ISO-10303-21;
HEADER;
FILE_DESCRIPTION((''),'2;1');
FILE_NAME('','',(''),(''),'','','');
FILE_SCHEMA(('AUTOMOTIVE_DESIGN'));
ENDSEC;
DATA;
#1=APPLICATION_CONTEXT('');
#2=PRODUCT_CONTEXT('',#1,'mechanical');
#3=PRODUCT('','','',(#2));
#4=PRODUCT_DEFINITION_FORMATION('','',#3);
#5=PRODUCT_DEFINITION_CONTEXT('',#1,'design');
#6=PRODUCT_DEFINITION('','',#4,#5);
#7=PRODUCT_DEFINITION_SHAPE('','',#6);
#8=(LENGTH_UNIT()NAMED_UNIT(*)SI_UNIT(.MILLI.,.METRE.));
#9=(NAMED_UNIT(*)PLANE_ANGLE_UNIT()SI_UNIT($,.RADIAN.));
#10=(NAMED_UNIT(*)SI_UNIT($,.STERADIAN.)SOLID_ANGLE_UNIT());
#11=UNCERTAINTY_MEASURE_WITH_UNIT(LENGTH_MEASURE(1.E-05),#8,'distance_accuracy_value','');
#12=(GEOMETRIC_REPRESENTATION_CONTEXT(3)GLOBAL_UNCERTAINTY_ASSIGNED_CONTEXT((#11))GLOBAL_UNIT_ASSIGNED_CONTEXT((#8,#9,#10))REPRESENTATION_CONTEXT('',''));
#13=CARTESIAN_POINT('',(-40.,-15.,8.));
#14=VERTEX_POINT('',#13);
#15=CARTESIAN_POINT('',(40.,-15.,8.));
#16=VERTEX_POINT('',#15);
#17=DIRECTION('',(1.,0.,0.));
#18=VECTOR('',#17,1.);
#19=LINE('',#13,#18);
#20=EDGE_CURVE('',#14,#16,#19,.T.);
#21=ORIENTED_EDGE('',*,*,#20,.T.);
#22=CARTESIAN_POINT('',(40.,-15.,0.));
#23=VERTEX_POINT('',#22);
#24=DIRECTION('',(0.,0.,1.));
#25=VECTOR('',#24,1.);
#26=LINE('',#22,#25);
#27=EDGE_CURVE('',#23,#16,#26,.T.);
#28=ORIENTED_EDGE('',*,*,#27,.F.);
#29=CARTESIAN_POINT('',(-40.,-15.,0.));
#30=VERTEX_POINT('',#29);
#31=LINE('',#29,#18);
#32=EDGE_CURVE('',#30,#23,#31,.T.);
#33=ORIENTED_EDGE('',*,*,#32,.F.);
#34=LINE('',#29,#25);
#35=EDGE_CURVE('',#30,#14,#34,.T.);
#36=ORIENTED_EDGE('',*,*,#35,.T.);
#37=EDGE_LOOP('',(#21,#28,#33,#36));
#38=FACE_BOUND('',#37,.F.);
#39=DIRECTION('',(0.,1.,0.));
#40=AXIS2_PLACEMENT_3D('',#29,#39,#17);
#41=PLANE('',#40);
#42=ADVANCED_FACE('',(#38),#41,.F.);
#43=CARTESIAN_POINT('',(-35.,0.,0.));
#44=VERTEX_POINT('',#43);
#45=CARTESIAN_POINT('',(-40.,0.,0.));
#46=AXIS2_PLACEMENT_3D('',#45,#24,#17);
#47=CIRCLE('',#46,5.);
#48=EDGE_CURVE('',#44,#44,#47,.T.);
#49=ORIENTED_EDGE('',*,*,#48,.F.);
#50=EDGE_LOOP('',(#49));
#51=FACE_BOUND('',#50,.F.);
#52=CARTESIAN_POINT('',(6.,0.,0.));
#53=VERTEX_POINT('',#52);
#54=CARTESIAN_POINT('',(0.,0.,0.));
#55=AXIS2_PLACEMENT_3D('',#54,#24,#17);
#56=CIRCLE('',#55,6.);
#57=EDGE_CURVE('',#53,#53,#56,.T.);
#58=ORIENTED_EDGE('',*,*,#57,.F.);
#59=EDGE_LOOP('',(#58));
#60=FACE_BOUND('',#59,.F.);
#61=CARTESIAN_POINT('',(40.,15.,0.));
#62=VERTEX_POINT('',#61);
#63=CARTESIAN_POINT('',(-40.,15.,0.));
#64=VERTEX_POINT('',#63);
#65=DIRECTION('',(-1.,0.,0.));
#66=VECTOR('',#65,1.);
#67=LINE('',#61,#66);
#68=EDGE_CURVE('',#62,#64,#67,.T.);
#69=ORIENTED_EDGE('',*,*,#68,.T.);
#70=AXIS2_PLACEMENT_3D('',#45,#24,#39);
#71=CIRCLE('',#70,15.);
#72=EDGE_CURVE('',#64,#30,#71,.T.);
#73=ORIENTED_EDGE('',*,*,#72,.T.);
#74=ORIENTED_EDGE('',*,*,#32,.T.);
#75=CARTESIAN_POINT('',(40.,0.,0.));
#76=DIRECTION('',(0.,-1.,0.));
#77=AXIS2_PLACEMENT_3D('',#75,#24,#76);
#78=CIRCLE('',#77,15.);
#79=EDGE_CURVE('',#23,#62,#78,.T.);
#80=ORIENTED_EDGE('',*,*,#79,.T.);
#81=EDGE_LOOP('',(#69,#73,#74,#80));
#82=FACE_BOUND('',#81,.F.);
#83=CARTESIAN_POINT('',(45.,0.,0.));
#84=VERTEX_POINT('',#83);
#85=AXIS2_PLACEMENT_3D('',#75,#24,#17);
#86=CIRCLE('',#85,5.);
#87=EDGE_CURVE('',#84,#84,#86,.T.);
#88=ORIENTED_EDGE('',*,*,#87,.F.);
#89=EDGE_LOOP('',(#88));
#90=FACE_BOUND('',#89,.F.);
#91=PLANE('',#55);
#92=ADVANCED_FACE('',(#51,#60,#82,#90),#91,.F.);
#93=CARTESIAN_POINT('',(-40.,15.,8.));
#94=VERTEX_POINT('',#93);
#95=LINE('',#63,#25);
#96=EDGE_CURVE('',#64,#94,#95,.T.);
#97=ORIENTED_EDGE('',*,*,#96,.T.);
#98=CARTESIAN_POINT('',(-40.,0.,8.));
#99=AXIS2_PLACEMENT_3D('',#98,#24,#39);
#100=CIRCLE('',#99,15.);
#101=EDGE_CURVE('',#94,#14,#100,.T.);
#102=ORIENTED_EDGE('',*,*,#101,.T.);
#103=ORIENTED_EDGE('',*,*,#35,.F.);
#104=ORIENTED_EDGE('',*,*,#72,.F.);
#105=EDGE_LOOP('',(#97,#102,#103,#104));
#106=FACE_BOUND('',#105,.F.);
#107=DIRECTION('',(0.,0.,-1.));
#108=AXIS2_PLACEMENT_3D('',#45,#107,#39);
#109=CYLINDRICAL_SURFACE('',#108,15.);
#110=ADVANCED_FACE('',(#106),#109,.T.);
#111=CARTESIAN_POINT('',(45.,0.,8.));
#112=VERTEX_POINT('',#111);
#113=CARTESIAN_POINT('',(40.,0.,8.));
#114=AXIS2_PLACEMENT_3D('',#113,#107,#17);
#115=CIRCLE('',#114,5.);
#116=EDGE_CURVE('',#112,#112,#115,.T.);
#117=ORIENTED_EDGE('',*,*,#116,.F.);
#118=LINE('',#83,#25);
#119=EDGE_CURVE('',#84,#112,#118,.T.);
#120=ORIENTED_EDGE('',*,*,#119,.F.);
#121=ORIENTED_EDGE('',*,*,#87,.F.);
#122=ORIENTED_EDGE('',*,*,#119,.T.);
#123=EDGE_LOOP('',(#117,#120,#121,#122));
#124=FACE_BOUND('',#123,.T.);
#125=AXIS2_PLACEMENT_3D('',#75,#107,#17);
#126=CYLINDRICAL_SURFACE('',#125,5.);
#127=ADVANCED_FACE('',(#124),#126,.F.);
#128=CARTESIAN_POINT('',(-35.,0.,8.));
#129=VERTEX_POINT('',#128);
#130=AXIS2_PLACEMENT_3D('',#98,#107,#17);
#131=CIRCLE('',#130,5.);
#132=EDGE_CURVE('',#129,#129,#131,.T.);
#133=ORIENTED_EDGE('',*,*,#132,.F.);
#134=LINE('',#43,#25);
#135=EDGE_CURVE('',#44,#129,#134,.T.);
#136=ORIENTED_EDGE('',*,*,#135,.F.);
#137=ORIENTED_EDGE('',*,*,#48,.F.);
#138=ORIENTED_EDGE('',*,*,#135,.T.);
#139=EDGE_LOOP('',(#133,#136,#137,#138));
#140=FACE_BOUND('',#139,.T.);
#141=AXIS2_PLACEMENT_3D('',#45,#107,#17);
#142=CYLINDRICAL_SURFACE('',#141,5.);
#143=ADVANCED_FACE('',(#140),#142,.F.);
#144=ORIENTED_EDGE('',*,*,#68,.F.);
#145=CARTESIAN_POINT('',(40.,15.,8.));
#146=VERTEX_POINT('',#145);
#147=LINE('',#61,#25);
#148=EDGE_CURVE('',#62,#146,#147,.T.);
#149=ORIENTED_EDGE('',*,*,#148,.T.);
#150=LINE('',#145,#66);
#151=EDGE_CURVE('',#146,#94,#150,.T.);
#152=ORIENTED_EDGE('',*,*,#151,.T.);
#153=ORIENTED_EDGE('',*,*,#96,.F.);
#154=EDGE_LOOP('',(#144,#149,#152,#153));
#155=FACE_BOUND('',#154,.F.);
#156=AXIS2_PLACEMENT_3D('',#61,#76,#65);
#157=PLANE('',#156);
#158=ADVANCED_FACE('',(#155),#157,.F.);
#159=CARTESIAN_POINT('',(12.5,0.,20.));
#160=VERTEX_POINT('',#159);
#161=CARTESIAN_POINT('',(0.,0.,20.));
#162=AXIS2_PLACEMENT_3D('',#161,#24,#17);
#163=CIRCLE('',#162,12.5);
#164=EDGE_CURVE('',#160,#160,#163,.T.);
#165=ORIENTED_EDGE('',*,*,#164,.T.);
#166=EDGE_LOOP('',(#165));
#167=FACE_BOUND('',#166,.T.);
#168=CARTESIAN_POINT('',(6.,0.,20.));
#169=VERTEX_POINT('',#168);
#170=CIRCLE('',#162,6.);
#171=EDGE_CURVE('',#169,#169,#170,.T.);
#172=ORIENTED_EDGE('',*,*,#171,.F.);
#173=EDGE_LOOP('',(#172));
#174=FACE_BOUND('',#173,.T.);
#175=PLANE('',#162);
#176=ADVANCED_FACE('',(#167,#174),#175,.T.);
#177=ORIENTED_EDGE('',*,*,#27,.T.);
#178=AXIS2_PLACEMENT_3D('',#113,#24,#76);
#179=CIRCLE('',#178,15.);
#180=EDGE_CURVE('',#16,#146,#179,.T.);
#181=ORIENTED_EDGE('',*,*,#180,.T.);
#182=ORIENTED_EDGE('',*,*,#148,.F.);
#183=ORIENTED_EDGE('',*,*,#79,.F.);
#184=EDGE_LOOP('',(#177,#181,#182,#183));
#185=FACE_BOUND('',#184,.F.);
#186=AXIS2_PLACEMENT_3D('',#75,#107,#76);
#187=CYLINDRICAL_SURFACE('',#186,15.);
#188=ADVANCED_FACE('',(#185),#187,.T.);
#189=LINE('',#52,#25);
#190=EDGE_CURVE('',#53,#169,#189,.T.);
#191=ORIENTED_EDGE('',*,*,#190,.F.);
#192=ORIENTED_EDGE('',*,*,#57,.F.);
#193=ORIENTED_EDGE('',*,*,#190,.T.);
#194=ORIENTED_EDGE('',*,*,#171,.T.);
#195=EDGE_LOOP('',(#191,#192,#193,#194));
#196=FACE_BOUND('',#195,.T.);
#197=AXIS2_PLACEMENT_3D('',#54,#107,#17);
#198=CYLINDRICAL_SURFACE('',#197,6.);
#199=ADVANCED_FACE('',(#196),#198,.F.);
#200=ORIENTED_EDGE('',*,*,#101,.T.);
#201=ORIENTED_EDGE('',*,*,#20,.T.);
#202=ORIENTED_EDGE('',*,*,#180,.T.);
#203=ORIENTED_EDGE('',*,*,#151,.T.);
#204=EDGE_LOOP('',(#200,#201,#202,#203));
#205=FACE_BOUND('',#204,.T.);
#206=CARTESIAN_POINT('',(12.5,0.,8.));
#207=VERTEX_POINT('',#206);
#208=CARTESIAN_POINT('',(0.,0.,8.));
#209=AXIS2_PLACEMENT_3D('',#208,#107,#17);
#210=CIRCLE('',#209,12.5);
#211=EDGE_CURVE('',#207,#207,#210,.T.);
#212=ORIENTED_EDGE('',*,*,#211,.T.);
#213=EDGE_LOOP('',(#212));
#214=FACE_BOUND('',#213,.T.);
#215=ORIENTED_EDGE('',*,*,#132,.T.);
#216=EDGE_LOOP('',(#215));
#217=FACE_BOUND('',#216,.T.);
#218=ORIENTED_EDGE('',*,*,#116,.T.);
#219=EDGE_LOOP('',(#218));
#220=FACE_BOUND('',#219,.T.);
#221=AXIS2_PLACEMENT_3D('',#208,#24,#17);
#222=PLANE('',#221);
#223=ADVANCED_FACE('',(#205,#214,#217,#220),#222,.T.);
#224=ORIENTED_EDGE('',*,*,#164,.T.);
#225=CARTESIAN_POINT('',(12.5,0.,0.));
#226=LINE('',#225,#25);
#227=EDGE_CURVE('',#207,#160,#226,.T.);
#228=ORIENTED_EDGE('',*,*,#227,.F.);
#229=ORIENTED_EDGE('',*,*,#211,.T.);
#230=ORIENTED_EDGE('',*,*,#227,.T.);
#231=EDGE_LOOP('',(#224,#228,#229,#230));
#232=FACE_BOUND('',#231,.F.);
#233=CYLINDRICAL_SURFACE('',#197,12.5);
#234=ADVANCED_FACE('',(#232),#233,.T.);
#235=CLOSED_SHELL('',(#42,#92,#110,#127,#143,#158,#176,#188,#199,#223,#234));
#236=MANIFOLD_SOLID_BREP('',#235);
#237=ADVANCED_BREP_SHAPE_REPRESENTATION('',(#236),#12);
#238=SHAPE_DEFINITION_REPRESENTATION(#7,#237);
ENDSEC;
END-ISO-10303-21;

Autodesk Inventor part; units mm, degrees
ref_plane "YZ Plane" through (0, 0, 0) normal (1, 0, 0) x (0, 1, 0)
ref_plane "XZ Plane" through (0, 0, 0) normal (0, 1, 0) x (-1, 0, 0)
ref_plane "XY Plane" through (0, 0, 0) normal (0, 0, 1) x (1, 0, 0)
sketch "Эскиз1" plane through (0, 0, 0) normal (0, 0, 1) x (1, 0, 0)
  line L0 (-40, 0) -> (40, 0) construction
  line L1 (-40, -15) -> (40, -15)
  line L2 (40, 15) -> (-40, 15)
  arc A0 (-40, 15) -> (-40, -15) centre (-40, 0) ccw
  arc A1 (40, -15) -> (40, 15) centre (40, 0) ccw
  circle A2 centre (0, 0) radius 12.5
  circle A3 centre (-40, 0) radius 5
  circle A4 centre (40, 0) radius 5
  circle A5 centre (0, 0) radius 6
  dimension "d0" = 40
  dimension "d1" = 30
  dimension "d4" = 25
  dimension "d5" = 10
  dimension "d6" = 10
  dimension "d7" = 12
extrude "Выдавливание1" add sketch "Эскиз1" along normal blind 8 contours A0 L2 A1 L1 | A2 | A3 | A4 | A5
extrude "Выдавливание2" cut sketch "Эскиз1" along normal through all contours A3 | A4
extrude "Выдавливание3" cut sketch "Эскиз1" along normal blind 20 contours A5
extrude "Выдавливание4" add sketch "Эскиз1" along normal blind 20 contours A2
properties part number "Крышка" material "Сталь"
